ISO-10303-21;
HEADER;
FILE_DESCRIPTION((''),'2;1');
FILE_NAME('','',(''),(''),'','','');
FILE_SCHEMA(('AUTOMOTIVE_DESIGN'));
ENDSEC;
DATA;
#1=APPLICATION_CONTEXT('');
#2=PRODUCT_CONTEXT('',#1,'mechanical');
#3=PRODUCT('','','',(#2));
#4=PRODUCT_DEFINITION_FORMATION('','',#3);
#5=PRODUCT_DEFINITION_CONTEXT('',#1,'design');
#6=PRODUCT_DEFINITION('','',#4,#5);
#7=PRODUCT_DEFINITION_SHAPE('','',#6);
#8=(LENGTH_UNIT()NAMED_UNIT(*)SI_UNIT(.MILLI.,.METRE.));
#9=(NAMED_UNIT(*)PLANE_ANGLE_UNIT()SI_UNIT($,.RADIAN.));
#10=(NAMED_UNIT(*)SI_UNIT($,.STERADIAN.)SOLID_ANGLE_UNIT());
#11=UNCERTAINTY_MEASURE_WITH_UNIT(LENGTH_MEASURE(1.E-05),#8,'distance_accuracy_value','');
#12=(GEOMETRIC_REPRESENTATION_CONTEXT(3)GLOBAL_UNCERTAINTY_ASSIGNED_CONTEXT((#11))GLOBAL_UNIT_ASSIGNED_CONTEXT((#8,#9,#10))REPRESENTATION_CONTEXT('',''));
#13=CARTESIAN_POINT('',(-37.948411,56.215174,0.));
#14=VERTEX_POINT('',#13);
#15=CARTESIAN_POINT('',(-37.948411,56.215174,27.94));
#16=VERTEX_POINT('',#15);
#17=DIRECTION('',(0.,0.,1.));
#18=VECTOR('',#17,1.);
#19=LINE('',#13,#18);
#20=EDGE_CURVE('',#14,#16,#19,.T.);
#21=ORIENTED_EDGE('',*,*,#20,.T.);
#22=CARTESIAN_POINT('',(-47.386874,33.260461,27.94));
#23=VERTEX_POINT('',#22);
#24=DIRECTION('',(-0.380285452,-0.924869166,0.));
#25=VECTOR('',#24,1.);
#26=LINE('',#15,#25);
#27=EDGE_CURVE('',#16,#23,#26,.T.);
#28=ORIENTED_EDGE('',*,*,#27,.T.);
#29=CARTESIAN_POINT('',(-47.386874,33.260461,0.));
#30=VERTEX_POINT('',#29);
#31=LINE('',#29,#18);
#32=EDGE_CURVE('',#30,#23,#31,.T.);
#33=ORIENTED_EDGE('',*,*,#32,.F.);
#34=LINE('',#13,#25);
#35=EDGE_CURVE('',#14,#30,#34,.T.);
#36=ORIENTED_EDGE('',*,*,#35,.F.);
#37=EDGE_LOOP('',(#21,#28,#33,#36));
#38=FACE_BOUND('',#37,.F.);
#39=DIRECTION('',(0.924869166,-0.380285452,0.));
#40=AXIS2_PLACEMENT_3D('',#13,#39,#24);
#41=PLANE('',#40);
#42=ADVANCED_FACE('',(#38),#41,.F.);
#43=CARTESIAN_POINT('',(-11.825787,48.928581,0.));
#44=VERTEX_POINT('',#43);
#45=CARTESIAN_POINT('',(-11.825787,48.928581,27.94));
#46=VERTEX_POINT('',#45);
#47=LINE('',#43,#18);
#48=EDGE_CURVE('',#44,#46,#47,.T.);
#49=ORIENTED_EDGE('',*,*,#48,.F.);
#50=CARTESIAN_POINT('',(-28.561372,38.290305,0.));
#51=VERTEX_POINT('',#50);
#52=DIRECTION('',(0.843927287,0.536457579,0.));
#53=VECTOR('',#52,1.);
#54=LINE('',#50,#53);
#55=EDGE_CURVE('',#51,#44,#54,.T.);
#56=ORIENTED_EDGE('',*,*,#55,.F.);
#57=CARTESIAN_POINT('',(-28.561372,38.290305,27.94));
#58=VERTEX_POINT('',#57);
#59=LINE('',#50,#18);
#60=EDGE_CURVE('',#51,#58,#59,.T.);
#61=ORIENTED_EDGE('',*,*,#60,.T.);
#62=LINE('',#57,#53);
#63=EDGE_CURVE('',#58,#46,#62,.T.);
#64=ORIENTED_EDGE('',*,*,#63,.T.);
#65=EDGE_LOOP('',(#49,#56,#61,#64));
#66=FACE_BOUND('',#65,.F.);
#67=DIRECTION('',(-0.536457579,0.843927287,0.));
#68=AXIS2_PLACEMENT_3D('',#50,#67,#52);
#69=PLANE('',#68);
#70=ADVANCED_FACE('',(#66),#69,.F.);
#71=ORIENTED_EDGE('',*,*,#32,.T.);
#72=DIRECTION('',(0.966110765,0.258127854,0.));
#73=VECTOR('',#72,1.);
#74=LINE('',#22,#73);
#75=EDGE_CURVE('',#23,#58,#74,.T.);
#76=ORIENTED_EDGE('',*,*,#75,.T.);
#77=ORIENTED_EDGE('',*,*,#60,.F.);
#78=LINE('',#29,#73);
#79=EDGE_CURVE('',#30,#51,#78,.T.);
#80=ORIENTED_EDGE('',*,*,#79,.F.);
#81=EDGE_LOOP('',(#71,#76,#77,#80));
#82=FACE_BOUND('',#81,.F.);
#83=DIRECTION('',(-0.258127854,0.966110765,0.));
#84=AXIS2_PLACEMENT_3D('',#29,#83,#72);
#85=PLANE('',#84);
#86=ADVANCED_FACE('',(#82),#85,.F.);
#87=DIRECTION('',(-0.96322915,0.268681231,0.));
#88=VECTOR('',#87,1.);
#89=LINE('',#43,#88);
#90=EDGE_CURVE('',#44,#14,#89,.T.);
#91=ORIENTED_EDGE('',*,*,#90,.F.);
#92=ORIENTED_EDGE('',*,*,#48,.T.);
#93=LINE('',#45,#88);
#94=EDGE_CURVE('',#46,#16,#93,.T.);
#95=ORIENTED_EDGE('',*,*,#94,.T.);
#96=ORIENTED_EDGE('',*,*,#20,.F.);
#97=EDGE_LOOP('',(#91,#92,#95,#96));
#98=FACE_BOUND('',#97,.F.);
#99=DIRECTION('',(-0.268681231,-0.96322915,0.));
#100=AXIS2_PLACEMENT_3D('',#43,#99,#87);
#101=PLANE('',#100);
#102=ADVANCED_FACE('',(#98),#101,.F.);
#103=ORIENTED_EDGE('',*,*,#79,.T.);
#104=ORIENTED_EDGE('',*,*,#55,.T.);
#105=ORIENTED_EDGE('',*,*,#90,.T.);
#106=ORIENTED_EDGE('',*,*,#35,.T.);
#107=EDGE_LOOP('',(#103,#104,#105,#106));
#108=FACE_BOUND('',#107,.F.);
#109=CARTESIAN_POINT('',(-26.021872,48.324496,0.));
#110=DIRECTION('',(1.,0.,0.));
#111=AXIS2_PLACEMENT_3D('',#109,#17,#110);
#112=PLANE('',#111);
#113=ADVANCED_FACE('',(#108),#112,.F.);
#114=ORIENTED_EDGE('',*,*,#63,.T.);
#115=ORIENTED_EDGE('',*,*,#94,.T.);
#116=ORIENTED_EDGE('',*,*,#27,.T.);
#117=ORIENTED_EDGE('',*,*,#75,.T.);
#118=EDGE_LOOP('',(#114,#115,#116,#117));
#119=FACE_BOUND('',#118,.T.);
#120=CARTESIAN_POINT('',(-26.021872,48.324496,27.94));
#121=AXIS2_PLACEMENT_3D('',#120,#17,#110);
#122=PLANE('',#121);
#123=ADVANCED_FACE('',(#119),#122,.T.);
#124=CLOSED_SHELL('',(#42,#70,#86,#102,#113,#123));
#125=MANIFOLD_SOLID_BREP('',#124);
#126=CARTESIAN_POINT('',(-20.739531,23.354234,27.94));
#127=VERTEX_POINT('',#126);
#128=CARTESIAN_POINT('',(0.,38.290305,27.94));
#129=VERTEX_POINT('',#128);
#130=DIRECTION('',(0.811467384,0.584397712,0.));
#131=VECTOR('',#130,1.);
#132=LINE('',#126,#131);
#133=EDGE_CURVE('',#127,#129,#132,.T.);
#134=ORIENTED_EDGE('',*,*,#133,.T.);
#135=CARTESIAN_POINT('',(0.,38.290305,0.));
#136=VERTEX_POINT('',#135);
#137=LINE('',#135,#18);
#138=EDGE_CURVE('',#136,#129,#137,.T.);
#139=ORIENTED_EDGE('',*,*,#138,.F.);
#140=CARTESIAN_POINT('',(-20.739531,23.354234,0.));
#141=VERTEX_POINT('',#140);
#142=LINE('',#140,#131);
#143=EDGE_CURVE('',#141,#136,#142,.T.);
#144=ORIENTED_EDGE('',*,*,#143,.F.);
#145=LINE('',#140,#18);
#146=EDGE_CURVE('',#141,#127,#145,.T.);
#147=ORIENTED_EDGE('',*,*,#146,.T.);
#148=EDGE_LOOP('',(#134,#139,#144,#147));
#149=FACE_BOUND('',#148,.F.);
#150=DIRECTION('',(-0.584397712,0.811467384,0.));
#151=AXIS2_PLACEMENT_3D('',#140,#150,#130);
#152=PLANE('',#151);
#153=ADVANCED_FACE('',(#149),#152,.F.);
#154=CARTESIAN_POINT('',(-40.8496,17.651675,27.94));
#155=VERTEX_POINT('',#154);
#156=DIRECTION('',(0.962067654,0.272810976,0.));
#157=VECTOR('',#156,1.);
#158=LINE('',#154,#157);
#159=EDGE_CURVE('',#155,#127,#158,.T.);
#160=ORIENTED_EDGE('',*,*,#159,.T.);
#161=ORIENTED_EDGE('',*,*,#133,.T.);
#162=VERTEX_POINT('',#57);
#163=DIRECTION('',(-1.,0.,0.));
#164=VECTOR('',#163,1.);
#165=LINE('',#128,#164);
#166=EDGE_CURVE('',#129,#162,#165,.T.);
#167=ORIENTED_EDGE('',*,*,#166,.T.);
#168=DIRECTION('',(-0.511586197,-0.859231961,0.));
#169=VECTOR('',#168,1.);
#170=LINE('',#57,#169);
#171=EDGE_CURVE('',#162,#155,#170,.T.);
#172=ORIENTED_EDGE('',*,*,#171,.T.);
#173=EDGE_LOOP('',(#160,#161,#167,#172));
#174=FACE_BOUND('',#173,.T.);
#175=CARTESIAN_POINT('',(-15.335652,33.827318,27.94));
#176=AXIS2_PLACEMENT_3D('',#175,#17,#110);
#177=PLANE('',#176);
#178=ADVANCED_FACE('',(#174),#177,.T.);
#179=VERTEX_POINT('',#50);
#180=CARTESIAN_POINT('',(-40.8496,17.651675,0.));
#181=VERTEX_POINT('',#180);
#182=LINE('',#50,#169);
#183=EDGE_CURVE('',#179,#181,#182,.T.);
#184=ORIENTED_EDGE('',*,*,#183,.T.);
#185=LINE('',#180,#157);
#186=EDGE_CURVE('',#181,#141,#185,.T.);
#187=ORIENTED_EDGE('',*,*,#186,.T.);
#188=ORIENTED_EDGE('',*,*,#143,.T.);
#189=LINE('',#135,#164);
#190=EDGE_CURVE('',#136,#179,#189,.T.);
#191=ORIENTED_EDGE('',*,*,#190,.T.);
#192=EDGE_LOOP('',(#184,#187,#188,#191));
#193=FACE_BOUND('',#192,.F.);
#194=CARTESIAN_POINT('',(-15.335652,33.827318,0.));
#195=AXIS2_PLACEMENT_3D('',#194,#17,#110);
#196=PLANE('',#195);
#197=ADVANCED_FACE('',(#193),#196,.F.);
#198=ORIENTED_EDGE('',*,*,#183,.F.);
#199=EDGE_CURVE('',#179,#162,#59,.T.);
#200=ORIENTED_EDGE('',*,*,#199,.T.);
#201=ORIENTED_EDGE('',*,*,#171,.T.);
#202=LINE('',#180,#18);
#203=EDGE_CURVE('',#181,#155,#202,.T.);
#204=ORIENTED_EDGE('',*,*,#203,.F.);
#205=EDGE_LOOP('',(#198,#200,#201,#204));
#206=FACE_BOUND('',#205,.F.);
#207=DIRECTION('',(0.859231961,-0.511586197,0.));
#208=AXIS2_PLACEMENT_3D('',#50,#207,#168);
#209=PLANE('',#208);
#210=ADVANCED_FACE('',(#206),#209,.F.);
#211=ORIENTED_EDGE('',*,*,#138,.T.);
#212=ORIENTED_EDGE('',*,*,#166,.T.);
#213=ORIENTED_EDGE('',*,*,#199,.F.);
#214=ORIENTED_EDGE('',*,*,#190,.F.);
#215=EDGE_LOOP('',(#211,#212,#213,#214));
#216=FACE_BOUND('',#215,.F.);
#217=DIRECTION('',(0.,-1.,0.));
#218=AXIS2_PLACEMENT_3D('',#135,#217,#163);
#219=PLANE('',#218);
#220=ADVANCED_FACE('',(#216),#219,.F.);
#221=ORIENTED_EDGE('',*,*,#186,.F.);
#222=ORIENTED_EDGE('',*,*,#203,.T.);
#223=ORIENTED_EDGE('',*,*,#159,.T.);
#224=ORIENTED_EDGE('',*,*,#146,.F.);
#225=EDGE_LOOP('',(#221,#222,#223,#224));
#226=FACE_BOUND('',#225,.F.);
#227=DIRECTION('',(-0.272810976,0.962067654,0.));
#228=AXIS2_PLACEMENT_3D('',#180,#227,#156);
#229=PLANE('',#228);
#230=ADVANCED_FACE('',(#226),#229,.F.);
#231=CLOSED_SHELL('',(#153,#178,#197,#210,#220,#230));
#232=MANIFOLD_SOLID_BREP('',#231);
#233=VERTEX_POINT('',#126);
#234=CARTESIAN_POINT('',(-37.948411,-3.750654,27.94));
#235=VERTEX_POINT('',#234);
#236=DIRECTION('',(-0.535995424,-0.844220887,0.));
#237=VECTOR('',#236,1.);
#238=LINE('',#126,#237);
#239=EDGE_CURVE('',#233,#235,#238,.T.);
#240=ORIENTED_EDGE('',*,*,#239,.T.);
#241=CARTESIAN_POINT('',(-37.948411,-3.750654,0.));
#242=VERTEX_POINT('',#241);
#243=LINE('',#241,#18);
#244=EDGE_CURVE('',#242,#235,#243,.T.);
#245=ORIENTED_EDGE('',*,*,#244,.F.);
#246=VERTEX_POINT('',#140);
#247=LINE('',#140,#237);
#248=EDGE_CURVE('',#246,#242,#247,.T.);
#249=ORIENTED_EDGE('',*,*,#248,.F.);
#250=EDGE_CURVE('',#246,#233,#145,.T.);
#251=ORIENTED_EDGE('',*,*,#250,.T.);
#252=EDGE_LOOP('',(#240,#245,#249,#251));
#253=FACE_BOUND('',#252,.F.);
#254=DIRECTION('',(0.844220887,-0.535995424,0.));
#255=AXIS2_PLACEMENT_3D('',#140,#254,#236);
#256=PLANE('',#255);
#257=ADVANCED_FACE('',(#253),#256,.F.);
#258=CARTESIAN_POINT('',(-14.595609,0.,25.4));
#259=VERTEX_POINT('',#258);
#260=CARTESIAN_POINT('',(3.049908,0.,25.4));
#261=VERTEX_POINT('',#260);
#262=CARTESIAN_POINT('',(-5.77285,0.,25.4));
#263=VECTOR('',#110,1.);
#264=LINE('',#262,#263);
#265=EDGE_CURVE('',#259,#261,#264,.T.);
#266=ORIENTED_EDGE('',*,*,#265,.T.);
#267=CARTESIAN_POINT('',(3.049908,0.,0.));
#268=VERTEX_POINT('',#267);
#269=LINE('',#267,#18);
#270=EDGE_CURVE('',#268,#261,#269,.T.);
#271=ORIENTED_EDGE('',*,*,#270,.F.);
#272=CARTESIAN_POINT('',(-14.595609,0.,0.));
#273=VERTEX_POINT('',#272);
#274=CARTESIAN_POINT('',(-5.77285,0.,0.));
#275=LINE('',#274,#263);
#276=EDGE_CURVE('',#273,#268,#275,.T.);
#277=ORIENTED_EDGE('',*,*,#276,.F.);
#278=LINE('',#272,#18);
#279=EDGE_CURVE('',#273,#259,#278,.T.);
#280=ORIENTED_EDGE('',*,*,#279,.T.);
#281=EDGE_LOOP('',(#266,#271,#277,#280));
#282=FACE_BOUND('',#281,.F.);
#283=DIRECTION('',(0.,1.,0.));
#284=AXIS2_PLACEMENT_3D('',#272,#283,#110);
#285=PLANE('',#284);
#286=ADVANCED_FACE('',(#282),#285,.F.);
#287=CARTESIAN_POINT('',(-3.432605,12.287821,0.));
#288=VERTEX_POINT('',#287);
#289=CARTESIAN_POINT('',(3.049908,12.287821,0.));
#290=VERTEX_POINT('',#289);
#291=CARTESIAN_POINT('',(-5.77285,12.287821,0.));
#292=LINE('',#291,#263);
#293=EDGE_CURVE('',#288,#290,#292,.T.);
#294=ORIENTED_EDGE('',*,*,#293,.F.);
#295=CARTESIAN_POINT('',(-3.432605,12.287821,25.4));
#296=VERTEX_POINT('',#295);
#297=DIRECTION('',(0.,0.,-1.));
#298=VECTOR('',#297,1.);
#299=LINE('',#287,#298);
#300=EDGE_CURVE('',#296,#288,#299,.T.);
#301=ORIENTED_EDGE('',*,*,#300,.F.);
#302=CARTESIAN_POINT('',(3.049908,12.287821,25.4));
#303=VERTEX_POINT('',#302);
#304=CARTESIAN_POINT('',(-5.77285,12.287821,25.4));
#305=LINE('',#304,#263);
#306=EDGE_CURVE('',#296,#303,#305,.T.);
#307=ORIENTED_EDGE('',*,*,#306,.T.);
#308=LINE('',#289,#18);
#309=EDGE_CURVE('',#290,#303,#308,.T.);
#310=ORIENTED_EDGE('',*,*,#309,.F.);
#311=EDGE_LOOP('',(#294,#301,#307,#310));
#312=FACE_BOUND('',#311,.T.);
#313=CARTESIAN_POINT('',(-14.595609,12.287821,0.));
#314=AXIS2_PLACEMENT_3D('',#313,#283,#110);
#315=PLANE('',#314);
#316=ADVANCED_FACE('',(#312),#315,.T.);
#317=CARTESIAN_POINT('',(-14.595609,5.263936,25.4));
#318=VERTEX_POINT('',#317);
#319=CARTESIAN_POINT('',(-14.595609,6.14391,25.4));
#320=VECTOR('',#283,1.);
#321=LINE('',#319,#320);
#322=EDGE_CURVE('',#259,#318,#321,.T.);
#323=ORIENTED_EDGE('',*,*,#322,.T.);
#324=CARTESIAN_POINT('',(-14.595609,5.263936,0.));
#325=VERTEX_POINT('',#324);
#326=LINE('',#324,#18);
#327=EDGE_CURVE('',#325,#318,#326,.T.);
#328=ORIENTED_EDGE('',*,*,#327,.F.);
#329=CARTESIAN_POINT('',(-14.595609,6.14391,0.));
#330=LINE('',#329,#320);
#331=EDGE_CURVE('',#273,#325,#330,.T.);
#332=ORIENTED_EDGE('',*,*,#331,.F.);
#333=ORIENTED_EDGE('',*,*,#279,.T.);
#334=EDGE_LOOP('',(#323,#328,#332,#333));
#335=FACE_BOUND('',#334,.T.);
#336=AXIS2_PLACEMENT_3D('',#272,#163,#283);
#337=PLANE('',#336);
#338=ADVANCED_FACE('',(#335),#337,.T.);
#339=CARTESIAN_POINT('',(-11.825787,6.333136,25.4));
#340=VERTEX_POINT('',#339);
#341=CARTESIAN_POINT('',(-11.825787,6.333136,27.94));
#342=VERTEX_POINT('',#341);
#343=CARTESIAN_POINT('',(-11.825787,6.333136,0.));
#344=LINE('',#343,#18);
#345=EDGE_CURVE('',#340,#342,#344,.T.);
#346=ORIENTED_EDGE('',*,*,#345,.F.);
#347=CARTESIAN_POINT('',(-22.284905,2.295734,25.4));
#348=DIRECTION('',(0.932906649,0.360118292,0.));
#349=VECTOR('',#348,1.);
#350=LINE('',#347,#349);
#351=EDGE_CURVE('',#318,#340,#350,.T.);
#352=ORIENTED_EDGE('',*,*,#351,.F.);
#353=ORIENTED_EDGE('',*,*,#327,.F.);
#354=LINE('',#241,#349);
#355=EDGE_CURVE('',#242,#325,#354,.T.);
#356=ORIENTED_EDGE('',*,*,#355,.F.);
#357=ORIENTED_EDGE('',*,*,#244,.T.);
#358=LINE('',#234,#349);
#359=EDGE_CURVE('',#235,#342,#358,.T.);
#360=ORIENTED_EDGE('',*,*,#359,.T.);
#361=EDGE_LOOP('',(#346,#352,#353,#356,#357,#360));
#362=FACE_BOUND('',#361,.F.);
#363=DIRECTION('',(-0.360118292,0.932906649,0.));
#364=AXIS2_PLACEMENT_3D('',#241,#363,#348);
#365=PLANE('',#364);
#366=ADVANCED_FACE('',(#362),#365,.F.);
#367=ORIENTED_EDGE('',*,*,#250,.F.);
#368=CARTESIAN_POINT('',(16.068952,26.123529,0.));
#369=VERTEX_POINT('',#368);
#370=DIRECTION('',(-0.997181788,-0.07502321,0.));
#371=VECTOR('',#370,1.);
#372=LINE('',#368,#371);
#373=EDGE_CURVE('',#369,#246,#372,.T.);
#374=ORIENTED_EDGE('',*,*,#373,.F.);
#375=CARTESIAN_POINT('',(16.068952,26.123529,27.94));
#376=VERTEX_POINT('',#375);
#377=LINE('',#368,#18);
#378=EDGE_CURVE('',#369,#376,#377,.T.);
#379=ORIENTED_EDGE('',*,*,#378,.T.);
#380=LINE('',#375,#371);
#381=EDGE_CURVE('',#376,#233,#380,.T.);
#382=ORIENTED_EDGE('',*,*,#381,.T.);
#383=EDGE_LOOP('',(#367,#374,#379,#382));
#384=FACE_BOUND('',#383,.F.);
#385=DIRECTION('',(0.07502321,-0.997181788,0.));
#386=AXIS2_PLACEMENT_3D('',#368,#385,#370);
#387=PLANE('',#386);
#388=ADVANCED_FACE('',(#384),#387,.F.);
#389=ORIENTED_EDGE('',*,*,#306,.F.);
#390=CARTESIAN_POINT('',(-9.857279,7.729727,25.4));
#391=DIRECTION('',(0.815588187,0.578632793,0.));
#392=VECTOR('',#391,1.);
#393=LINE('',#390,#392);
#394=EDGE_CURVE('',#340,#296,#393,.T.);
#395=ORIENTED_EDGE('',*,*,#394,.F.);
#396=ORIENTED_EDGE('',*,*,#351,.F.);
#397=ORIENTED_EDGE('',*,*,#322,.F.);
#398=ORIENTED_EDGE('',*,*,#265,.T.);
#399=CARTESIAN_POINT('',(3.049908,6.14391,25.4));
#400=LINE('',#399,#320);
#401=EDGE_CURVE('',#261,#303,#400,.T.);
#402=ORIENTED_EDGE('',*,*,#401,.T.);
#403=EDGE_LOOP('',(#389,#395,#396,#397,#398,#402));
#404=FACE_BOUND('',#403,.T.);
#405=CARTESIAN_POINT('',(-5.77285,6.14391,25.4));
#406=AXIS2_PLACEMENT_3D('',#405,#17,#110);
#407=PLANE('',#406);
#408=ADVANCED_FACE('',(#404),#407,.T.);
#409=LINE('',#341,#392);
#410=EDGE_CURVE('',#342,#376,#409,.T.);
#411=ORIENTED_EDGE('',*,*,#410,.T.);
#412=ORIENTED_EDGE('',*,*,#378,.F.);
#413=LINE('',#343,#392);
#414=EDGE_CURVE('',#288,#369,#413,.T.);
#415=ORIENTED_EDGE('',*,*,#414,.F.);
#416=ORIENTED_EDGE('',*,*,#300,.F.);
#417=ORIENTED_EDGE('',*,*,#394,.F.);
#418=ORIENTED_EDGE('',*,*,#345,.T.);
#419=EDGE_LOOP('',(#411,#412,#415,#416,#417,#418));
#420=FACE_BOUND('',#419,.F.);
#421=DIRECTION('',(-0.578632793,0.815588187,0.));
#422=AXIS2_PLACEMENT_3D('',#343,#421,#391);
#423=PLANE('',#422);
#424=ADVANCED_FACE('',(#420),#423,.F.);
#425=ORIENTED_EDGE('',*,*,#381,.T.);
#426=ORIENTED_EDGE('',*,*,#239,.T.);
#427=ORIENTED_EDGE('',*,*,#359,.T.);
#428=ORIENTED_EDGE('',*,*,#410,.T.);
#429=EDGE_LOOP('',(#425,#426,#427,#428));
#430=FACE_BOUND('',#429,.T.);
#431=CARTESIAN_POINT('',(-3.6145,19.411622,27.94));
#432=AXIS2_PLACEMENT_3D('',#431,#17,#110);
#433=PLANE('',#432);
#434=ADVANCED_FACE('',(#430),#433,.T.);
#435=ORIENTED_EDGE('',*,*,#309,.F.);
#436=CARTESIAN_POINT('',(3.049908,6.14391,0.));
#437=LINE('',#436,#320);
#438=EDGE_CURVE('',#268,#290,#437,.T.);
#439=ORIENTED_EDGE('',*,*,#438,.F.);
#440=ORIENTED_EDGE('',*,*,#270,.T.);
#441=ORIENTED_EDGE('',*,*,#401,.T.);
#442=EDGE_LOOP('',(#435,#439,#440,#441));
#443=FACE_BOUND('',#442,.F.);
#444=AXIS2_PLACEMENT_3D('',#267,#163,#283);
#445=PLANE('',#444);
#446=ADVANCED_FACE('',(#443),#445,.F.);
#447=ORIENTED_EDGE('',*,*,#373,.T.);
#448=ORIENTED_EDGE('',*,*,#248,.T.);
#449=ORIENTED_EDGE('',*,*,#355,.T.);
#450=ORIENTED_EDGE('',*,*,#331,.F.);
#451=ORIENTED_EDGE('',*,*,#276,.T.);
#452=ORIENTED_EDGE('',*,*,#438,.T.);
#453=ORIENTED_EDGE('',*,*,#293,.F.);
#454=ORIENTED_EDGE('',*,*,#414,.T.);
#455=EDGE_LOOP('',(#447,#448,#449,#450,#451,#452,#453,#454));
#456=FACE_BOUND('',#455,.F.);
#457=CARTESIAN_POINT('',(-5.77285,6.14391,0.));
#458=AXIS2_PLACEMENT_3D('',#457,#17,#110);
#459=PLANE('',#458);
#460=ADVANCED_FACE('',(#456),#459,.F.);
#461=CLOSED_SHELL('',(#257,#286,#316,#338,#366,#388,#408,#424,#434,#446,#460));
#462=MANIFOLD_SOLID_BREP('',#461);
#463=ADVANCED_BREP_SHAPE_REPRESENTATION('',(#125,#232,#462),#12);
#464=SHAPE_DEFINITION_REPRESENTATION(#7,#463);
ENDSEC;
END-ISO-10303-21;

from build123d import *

# Parameters (mm, degrees)
F1_DEPTH = 27.94
F2_W     = 17.645517
F2_H     = 12.287821
F3_DEPTH = 25.4


with BuildPart() as f1:
    # F0 (on Top) → F1 (new body)
    with BuildSketch(Plane.XY):
        Polygon((-11.825787, 48.928581), (-37.948411, 56.215174), (-28.561372, 38.290305), align=None)
        Polygon((16.068952, 26.123529), (-20.739531, 23.354234), (-11.825787, 6.333136), align=None)
        Polygon((-11.825787, 6.333136), (-20.739531, 23.354234), (-37.948411, -3.750654), align=None)
        Polygon((0, 38.290305), (-28.561372, 38.290305), (-20.739531, 23.354234), align=None)
        Polygon((-20.739531, 23.354234), (-28.561372, 38.290305), (-40.8496, 17.651675), align=None)
        Polygon((-28.561372, 38.290305), (-37.948411, 56.215174), (-47.386874, 33.260461), align=None)
    extrude(amount=F1_DEPTH)

    # F2 (on Top) → F3 (join)
    with BuildSketch(Plane.XY):
        with Locations((-5.77285, 6.14391)):
            Rectangle(F2_W, F2_H)
    extrude(amount=F3_DEPTH)


solid = f1.part
